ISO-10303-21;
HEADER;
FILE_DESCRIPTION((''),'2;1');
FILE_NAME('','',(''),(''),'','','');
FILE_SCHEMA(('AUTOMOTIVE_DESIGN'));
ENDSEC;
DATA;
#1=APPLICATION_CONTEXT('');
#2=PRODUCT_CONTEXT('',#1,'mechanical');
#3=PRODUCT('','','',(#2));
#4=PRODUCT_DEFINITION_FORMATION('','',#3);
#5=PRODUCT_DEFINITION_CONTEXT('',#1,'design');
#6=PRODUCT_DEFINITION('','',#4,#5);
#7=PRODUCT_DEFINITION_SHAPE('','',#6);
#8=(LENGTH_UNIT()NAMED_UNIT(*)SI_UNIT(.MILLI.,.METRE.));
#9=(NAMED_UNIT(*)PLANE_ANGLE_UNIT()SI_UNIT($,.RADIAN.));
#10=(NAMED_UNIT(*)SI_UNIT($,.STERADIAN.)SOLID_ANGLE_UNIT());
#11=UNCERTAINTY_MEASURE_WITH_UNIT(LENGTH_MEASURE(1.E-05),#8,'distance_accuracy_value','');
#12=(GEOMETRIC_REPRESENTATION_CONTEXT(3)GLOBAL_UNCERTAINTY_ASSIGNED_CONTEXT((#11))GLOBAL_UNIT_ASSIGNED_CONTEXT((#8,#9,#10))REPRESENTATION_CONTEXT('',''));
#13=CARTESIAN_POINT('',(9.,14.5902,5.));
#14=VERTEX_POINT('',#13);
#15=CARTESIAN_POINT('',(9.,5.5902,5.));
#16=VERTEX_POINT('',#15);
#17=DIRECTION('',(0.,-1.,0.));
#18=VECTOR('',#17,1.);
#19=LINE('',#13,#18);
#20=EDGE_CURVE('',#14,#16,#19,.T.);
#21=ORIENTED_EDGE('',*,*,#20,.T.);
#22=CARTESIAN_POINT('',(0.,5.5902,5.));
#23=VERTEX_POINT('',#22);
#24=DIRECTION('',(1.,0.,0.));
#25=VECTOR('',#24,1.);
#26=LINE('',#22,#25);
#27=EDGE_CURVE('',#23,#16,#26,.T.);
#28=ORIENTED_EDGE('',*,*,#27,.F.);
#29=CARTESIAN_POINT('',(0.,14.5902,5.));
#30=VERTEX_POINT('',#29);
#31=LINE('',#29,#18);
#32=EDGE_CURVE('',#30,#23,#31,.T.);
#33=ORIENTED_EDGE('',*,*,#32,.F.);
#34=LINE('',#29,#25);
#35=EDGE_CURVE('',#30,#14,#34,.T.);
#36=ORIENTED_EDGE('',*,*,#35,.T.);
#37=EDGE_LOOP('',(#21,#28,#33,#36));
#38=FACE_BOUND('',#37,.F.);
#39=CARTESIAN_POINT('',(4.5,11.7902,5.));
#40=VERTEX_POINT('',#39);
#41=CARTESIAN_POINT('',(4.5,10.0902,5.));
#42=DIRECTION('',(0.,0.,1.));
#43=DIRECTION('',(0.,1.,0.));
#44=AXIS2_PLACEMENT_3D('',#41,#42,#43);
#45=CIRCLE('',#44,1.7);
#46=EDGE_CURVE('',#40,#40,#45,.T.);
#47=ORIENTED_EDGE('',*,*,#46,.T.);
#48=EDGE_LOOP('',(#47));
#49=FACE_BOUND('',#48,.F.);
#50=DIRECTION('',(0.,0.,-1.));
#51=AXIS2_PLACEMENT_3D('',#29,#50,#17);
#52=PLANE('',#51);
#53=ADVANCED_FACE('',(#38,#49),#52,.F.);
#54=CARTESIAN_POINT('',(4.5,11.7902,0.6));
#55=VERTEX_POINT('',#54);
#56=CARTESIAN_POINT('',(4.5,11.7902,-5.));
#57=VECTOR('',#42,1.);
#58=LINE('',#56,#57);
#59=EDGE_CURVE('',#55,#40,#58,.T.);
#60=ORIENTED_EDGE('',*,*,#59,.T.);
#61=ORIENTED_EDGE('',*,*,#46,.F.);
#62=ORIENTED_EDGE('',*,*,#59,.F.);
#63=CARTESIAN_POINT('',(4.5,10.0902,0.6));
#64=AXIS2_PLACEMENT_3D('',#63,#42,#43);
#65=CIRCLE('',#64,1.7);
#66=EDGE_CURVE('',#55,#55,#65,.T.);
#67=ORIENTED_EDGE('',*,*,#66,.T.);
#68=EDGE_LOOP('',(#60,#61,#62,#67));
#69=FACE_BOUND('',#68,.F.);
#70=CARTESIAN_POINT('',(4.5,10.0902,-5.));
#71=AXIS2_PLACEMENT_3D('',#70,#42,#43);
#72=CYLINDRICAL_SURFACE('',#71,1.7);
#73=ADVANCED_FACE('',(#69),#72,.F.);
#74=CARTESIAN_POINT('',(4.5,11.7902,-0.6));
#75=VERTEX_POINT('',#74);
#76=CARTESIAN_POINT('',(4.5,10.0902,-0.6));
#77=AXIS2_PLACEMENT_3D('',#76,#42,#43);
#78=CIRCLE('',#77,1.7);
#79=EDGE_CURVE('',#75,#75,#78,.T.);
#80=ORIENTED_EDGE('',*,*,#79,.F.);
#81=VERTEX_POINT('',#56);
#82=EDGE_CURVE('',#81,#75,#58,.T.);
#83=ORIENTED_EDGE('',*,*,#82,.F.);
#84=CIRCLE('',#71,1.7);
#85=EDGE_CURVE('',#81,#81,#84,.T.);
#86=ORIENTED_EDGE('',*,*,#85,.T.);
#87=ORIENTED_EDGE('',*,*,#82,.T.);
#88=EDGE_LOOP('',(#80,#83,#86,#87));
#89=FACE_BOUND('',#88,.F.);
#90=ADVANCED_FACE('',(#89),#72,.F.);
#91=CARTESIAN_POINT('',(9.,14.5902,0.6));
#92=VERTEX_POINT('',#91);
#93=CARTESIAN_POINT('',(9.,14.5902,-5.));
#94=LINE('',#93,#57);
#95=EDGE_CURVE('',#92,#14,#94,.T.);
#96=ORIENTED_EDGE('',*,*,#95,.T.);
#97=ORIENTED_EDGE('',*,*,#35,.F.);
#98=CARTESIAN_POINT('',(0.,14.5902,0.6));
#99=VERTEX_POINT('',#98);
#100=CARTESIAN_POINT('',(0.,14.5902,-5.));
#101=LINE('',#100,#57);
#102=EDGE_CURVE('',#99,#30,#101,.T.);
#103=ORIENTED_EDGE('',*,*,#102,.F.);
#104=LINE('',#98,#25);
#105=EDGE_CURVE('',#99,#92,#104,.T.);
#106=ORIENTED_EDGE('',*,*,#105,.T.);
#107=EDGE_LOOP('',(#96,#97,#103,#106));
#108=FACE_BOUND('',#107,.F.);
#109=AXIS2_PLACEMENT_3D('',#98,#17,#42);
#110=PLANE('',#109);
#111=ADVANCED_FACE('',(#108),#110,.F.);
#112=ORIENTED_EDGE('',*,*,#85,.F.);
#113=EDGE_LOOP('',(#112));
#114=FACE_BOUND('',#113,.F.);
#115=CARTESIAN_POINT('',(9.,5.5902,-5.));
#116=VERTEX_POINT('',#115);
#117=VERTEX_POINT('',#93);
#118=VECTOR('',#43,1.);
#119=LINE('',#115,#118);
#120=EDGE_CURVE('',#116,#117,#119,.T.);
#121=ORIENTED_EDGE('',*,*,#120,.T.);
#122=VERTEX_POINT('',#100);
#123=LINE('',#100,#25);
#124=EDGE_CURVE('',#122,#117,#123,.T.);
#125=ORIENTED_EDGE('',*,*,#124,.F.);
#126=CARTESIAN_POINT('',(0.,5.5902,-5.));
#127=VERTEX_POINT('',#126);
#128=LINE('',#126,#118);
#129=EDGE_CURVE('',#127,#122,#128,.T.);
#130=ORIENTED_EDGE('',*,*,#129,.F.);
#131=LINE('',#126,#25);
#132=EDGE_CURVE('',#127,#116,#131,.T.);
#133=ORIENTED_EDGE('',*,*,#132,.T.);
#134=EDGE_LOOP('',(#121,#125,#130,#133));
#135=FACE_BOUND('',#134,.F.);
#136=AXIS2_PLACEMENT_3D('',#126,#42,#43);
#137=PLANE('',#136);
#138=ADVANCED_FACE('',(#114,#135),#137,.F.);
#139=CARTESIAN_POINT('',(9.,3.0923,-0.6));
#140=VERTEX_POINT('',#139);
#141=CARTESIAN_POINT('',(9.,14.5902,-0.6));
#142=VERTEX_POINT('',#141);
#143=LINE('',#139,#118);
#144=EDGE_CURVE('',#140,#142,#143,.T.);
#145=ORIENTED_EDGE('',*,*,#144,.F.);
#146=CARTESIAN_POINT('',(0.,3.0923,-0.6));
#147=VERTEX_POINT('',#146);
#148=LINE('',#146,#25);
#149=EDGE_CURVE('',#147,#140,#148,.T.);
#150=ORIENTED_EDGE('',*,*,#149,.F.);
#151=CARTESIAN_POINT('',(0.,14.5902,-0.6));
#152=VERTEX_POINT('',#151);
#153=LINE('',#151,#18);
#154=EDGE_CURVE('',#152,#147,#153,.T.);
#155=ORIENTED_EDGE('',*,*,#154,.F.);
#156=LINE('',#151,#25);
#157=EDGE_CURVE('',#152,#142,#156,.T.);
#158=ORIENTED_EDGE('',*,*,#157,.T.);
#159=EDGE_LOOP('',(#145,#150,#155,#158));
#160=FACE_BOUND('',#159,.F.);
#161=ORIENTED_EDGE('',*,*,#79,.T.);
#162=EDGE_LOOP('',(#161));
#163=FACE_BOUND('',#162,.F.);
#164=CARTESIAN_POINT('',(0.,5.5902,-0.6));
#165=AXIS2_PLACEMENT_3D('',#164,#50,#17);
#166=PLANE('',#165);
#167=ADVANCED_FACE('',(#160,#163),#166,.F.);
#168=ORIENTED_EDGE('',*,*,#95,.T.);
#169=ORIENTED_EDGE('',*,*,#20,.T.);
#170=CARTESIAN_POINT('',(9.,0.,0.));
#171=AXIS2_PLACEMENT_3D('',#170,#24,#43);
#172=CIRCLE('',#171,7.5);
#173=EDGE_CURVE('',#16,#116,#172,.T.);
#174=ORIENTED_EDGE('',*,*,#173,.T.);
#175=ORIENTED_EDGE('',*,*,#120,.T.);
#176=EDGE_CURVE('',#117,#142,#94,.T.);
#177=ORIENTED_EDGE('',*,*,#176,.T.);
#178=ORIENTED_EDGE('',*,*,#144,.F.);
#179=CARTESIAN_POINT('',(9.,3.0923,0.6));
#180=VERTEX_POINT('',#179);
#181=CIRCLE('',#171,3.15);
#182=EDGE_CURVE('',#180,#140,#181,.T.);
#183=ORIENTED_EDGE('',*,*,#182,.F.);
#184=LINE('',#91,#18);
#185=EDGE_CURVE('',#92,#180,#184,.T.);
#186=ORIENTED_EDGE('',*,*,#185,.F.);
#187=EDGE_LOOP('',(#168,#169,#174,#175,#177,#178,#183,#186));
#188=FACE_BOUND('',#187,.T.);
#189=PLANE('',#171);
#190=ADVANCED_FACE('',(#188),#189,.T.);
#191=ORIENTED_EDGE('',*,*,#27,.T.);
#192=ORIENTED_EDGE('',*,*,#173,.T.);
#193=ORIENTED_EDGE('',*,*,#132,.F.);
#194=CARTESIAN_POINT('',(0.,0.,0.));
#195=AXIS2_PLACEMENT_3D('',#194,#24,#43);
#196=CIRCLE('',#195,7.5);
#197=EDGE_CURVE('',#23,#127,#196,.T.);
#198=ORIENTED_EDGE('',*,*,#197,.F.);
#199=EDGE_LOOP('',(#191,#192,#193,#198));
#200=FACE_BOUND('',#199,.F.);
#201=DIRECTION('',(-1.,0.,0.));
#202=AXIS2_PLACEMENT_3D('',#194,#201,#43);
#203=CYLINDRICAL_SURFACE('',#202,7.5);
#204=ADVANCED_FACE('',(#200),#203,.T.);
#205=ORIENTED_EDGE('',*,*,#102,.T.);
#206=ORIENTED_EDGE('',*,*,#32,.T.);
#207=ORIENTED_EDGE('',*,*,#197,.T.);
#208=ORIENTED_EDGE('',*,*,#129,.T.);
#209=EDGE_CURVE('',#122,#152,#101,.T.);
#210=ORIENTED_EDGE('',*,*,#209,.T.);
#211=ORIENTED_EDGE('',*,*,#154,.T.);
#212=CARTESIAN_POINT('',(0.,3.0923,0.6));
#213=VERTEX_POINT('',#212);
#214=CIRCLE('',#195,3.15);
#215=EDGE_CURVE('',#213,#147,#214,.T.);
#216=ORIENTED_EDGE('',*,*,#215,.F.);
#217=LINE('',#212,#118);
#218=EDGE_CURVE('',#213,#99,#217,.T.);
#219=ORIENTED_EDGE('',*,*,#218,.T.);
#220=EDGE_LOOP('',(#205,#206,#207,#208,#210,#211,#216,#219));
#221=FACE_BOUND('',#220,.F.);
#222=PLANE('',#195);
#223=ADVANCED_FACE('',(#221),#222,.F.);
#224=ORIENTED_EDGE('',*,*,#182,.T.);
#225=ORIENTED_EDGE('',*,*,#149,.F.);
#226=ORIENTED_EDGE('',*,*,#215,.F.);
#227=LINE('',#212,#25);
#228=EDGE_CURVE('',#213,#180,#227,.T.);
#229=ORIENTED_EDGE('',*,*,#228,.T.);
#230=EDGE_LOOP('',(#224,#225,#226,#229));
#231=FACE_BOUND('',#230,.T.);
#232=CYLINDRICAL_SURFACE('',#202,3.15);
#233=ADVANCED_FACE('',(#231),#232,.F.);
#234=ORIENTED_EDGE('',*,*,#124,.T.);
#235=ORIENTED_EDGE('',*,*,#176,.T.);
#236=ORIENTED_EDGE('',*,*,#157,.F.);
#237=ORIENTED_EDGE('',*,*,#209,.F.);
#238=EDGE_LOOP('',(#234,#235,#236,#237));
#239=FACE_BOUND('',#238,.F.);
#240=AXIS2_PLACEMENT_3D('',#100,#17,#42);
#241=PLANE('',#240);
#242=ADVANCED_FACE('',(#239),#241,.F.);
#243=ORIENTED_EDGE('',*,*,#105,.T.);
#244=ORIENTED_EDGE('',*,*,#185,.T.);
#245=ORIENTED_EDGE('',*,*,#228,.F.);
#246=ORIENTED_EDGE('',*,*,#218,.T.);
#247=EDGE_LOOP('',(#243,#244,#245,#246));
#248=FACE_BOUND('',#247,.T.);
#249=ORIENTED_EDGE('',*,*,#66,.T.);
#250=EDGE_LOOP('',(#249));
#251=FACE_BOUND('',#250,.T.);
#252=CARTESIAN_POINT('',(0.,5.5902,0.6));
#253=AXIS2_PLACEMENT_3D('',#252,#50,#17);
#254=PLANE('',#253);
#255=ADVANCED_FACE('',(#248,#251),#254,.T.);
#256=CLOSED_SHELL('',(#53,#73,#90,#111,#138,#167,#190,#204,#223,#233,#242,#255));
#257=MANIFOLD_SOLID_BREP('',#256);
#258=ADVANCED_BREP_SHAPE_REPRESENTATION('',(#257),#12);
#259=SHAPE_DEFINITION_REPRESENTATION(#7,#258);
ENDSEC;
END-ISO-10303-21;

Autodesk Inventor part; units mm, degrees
ref_plane "YZ Plane" through (0, 0, 0) normal (1, 0, 0) x (0, 1, 0)
ref_plane "XZ Plane" through (0, 0, 0) normal (0, 1, 0) x (-1, 0, 0)
ref_plane "XY Plane" through (0, 0, 0) normal (0, 0, 1) x (1, 0, 0)
sketch "スケッチ1" plane through (0, 0, 0) normal (1, 0, 0) x (0, 1, 0)
  circle A0 centre (0, 0) radius 3.15
  circle A1 centre (0, 0) radius 7.5
  line L0 (0, 0) -> (14.5902, 0)
  line L1 (14.5902, 5) -> (5.5902, 5)
  line L2 (5.5902, 5) -> (5.5902, -5)
  line L3 (5.5902, -5) -> (14.5902, -5)
  line L4 (14.5902, -5) -> (14.5902, 5)
  line L5 (14.5902, 0.6) -> (5.5902, 0.6)
  line L6 (5.5902, 0.6) -> (5.5902, -0.6)
  line L7 (5.5902, -0.6) -> (14.5902, -0.6)
  line L8 (14.5902, -0.6) -> (14.5902, 0.6)
  line L9 (5.5902, 0.6) -> (3.0923, 0.6)
  line L10 (5.5902, -0.6) -> (3.0923, -0.6)
  dimension "d1" = 15
  dimension "d0" = 6.3
  dimension "d2" = 1.2
  dimension "d3" = 9
  dimension "d4" = 10
extrude "押し出し1" add sketch "スケッチ1" along normal blind 9 contours A0 L10 L2 A1 L9 | L2 A1 L5 | L7 A1 L2 | L1 L4 L5 A1 | A1 L7 L4 L3
sketch "スケッチ2" plane through (0, 5.5902, -5) normal (0, 0, -1) x (-1, 0, 0)
  line L0 (0, 9) -> (-9, 9) projected
  line L1 (-4.5, 9) -> (-4.5, 3.2578)
  point P0 (0, -5.5902)
  point P1 (-4.5, 4.5)
  dimension "d7" = 4.5
hole "穴1" at (4.5, 10.0902, -5) direction (0, 0, 1) diameter 3.4 end through all
properties part number "SetCollar_d6"
